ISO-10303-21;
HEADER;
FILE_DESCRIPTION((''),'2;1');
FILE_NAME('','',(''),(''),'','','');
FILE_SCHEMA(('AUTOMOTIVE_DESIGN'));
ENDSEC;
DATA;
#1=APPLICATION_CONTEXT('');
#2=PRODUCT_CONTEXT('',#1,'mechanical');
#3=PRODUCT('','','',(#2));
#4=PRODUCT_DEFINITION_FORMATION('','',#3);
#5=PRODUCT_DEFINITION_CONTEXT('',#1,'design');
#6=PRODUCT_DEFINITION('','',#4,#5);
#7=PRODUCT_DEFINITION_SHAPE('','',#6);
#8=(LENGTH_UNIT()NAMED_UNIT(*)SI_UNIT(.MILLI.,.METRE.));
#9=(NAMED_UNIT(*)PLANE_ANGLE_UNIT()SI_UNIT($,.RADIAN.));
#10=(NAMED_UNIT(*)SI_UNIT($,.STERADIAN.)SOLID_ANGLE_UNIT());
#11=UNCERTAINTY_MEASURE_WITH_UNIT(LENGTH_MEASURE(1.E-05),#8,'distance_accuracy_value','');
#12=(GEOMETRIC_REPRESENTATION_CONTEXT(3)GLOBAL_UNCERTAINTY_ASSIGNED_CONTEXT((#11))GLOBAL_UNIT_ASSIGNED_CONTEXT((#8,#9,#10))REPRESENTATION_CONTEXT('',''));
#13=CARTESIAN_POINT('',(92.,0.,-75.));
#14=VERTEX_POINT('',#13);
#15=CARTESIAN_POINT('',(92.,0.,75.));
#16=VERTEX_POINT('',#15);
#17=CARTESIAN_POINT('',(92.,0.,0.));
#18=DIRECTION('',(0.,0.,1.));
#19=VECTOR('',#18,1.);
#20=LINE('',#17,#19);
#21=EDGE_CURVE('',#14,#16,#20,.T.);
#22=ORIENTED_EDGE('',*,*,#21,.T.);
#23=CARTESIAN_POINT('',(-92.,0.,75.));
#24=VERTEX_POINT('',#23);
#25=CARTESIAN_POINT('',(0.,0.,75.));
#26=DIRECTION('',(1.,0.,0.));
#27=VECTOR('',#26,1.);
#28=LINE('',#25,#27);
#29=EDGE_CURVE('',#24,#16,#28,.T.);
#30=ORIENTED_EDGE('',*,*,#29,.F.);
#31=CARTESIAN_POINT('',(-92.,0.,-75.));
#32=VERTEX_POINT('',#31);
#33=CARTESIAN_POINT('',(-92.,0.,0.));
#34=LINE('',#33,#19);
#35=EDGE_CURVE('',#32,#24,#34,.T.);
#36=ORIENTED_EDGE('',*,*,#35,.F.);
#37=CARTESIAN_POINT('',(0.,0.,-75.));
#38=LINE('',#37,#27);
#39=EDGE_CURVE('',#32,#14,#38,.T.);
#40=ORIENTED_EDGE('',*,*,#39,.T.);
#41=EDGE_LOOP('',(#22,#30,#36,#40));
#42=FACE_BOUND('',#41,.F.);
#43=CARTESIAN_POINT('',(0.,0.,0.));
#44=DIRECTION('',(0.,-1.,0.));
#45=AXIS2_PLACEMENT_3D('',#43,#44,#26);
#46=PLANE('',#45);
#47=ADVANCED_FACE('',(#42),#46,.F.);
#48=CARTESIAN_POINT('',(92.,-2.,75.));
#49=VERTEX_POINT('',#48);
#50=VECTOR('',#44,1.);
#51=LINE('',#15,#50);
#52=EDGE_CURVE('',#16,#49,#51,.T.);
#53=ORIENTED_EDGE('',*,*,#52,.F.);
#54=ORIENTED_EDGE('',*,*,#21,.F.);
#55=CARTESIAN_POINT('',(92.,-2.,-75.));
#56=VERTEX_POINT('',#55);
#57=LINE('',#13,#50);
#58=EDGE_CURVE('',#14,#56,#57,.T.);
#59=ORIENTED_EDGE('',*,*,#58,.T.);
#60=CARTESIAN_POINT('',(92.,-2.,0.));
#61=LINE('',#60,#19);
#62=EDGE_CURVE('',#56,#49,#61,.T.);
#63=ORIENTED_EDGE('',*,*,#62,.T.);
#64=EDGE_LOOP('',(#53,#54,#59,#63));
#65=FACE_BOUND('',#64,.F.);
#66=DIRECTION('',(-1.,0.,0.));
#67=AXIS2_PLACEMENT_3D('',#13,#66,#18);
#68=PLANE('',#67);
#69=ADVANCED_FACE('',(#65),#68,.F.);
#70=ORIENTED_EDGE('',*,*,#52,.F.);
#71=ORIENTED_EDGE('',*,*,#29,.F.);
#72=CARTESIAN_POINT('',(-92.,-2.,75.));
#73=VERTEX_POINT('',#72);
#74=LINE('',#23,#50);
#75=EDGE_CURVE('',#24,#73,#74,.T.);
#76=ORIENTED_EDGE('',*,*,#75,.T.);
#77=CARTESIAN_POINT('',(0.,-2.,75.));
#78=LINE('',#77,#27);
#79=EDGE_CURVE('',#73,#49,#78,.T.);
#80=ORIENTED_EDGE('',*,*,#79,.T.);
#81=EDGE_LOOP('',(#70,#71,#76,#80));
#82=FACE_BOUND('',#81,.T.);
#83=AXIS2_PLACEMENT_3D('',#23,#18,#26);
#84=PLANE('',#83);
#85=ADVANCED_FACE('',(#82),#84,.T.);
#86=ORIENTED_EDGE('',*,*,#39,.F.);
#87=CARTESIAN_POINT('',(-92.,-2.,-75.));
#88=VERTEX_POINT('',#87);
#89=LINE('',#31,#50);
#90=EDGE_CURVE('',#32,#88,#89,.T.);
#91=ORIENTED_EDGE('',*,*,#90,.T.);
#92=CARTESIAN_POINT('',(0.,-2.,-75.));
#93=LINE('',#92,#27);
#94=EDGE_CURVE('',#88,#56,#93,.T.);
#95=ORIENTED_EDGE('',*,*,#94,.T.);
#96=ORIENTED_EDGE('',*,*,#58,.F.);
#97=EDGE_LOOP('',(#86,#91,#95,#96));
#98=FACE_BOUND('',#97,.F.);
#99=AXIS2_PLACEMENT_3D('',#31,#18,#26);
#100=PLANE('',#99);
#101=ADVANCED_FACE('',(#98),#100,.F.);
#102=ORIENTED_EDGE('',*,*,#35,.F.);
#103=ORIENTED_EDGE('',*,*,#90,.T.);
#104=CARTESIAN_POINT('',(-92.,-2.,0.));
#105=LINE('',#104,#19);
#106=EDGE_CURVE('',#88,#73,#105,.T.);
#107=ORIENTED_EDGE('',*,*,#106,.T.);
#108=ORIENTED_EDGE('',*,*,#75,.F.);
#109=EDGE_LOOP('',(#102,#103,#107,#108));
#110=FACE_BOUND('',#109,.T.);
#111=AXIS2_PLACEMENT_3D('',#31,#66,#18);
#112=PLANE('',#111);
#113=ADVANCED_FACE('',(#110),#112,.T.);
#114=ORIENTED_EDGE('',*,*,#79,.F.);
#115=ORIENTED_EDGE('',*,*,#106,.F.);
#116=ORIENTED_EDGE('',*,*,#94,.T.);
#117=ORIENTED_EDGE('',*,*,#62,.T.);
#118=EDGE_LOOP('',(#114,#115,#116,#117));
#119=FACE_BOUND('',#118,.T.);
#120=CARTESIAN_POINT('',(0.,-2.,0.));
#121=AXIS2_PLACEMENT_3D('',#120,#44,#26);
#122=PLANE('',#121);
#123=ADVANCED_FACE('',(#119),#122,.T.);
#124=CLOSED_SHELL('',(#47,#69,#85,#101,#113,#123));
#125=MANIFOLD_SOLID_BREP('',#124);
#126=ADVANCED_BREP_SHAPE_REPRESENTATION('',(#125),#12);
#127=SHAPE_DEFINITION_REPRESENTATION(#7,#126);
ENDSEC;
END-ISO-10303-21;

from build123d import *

# Parameters (mm, degrees)
F0_W     = 184
F0_H     = 150
F1_DEPTH = 2


with BuildPart() as f1:
    # F0 (on Front) → F1 (new body)
    with BuildSketch(Plane.XZ):
        Rectangle(F0_W, F0_H)
    extrude(amount=F1_DEPTH)


solid = f1.part
